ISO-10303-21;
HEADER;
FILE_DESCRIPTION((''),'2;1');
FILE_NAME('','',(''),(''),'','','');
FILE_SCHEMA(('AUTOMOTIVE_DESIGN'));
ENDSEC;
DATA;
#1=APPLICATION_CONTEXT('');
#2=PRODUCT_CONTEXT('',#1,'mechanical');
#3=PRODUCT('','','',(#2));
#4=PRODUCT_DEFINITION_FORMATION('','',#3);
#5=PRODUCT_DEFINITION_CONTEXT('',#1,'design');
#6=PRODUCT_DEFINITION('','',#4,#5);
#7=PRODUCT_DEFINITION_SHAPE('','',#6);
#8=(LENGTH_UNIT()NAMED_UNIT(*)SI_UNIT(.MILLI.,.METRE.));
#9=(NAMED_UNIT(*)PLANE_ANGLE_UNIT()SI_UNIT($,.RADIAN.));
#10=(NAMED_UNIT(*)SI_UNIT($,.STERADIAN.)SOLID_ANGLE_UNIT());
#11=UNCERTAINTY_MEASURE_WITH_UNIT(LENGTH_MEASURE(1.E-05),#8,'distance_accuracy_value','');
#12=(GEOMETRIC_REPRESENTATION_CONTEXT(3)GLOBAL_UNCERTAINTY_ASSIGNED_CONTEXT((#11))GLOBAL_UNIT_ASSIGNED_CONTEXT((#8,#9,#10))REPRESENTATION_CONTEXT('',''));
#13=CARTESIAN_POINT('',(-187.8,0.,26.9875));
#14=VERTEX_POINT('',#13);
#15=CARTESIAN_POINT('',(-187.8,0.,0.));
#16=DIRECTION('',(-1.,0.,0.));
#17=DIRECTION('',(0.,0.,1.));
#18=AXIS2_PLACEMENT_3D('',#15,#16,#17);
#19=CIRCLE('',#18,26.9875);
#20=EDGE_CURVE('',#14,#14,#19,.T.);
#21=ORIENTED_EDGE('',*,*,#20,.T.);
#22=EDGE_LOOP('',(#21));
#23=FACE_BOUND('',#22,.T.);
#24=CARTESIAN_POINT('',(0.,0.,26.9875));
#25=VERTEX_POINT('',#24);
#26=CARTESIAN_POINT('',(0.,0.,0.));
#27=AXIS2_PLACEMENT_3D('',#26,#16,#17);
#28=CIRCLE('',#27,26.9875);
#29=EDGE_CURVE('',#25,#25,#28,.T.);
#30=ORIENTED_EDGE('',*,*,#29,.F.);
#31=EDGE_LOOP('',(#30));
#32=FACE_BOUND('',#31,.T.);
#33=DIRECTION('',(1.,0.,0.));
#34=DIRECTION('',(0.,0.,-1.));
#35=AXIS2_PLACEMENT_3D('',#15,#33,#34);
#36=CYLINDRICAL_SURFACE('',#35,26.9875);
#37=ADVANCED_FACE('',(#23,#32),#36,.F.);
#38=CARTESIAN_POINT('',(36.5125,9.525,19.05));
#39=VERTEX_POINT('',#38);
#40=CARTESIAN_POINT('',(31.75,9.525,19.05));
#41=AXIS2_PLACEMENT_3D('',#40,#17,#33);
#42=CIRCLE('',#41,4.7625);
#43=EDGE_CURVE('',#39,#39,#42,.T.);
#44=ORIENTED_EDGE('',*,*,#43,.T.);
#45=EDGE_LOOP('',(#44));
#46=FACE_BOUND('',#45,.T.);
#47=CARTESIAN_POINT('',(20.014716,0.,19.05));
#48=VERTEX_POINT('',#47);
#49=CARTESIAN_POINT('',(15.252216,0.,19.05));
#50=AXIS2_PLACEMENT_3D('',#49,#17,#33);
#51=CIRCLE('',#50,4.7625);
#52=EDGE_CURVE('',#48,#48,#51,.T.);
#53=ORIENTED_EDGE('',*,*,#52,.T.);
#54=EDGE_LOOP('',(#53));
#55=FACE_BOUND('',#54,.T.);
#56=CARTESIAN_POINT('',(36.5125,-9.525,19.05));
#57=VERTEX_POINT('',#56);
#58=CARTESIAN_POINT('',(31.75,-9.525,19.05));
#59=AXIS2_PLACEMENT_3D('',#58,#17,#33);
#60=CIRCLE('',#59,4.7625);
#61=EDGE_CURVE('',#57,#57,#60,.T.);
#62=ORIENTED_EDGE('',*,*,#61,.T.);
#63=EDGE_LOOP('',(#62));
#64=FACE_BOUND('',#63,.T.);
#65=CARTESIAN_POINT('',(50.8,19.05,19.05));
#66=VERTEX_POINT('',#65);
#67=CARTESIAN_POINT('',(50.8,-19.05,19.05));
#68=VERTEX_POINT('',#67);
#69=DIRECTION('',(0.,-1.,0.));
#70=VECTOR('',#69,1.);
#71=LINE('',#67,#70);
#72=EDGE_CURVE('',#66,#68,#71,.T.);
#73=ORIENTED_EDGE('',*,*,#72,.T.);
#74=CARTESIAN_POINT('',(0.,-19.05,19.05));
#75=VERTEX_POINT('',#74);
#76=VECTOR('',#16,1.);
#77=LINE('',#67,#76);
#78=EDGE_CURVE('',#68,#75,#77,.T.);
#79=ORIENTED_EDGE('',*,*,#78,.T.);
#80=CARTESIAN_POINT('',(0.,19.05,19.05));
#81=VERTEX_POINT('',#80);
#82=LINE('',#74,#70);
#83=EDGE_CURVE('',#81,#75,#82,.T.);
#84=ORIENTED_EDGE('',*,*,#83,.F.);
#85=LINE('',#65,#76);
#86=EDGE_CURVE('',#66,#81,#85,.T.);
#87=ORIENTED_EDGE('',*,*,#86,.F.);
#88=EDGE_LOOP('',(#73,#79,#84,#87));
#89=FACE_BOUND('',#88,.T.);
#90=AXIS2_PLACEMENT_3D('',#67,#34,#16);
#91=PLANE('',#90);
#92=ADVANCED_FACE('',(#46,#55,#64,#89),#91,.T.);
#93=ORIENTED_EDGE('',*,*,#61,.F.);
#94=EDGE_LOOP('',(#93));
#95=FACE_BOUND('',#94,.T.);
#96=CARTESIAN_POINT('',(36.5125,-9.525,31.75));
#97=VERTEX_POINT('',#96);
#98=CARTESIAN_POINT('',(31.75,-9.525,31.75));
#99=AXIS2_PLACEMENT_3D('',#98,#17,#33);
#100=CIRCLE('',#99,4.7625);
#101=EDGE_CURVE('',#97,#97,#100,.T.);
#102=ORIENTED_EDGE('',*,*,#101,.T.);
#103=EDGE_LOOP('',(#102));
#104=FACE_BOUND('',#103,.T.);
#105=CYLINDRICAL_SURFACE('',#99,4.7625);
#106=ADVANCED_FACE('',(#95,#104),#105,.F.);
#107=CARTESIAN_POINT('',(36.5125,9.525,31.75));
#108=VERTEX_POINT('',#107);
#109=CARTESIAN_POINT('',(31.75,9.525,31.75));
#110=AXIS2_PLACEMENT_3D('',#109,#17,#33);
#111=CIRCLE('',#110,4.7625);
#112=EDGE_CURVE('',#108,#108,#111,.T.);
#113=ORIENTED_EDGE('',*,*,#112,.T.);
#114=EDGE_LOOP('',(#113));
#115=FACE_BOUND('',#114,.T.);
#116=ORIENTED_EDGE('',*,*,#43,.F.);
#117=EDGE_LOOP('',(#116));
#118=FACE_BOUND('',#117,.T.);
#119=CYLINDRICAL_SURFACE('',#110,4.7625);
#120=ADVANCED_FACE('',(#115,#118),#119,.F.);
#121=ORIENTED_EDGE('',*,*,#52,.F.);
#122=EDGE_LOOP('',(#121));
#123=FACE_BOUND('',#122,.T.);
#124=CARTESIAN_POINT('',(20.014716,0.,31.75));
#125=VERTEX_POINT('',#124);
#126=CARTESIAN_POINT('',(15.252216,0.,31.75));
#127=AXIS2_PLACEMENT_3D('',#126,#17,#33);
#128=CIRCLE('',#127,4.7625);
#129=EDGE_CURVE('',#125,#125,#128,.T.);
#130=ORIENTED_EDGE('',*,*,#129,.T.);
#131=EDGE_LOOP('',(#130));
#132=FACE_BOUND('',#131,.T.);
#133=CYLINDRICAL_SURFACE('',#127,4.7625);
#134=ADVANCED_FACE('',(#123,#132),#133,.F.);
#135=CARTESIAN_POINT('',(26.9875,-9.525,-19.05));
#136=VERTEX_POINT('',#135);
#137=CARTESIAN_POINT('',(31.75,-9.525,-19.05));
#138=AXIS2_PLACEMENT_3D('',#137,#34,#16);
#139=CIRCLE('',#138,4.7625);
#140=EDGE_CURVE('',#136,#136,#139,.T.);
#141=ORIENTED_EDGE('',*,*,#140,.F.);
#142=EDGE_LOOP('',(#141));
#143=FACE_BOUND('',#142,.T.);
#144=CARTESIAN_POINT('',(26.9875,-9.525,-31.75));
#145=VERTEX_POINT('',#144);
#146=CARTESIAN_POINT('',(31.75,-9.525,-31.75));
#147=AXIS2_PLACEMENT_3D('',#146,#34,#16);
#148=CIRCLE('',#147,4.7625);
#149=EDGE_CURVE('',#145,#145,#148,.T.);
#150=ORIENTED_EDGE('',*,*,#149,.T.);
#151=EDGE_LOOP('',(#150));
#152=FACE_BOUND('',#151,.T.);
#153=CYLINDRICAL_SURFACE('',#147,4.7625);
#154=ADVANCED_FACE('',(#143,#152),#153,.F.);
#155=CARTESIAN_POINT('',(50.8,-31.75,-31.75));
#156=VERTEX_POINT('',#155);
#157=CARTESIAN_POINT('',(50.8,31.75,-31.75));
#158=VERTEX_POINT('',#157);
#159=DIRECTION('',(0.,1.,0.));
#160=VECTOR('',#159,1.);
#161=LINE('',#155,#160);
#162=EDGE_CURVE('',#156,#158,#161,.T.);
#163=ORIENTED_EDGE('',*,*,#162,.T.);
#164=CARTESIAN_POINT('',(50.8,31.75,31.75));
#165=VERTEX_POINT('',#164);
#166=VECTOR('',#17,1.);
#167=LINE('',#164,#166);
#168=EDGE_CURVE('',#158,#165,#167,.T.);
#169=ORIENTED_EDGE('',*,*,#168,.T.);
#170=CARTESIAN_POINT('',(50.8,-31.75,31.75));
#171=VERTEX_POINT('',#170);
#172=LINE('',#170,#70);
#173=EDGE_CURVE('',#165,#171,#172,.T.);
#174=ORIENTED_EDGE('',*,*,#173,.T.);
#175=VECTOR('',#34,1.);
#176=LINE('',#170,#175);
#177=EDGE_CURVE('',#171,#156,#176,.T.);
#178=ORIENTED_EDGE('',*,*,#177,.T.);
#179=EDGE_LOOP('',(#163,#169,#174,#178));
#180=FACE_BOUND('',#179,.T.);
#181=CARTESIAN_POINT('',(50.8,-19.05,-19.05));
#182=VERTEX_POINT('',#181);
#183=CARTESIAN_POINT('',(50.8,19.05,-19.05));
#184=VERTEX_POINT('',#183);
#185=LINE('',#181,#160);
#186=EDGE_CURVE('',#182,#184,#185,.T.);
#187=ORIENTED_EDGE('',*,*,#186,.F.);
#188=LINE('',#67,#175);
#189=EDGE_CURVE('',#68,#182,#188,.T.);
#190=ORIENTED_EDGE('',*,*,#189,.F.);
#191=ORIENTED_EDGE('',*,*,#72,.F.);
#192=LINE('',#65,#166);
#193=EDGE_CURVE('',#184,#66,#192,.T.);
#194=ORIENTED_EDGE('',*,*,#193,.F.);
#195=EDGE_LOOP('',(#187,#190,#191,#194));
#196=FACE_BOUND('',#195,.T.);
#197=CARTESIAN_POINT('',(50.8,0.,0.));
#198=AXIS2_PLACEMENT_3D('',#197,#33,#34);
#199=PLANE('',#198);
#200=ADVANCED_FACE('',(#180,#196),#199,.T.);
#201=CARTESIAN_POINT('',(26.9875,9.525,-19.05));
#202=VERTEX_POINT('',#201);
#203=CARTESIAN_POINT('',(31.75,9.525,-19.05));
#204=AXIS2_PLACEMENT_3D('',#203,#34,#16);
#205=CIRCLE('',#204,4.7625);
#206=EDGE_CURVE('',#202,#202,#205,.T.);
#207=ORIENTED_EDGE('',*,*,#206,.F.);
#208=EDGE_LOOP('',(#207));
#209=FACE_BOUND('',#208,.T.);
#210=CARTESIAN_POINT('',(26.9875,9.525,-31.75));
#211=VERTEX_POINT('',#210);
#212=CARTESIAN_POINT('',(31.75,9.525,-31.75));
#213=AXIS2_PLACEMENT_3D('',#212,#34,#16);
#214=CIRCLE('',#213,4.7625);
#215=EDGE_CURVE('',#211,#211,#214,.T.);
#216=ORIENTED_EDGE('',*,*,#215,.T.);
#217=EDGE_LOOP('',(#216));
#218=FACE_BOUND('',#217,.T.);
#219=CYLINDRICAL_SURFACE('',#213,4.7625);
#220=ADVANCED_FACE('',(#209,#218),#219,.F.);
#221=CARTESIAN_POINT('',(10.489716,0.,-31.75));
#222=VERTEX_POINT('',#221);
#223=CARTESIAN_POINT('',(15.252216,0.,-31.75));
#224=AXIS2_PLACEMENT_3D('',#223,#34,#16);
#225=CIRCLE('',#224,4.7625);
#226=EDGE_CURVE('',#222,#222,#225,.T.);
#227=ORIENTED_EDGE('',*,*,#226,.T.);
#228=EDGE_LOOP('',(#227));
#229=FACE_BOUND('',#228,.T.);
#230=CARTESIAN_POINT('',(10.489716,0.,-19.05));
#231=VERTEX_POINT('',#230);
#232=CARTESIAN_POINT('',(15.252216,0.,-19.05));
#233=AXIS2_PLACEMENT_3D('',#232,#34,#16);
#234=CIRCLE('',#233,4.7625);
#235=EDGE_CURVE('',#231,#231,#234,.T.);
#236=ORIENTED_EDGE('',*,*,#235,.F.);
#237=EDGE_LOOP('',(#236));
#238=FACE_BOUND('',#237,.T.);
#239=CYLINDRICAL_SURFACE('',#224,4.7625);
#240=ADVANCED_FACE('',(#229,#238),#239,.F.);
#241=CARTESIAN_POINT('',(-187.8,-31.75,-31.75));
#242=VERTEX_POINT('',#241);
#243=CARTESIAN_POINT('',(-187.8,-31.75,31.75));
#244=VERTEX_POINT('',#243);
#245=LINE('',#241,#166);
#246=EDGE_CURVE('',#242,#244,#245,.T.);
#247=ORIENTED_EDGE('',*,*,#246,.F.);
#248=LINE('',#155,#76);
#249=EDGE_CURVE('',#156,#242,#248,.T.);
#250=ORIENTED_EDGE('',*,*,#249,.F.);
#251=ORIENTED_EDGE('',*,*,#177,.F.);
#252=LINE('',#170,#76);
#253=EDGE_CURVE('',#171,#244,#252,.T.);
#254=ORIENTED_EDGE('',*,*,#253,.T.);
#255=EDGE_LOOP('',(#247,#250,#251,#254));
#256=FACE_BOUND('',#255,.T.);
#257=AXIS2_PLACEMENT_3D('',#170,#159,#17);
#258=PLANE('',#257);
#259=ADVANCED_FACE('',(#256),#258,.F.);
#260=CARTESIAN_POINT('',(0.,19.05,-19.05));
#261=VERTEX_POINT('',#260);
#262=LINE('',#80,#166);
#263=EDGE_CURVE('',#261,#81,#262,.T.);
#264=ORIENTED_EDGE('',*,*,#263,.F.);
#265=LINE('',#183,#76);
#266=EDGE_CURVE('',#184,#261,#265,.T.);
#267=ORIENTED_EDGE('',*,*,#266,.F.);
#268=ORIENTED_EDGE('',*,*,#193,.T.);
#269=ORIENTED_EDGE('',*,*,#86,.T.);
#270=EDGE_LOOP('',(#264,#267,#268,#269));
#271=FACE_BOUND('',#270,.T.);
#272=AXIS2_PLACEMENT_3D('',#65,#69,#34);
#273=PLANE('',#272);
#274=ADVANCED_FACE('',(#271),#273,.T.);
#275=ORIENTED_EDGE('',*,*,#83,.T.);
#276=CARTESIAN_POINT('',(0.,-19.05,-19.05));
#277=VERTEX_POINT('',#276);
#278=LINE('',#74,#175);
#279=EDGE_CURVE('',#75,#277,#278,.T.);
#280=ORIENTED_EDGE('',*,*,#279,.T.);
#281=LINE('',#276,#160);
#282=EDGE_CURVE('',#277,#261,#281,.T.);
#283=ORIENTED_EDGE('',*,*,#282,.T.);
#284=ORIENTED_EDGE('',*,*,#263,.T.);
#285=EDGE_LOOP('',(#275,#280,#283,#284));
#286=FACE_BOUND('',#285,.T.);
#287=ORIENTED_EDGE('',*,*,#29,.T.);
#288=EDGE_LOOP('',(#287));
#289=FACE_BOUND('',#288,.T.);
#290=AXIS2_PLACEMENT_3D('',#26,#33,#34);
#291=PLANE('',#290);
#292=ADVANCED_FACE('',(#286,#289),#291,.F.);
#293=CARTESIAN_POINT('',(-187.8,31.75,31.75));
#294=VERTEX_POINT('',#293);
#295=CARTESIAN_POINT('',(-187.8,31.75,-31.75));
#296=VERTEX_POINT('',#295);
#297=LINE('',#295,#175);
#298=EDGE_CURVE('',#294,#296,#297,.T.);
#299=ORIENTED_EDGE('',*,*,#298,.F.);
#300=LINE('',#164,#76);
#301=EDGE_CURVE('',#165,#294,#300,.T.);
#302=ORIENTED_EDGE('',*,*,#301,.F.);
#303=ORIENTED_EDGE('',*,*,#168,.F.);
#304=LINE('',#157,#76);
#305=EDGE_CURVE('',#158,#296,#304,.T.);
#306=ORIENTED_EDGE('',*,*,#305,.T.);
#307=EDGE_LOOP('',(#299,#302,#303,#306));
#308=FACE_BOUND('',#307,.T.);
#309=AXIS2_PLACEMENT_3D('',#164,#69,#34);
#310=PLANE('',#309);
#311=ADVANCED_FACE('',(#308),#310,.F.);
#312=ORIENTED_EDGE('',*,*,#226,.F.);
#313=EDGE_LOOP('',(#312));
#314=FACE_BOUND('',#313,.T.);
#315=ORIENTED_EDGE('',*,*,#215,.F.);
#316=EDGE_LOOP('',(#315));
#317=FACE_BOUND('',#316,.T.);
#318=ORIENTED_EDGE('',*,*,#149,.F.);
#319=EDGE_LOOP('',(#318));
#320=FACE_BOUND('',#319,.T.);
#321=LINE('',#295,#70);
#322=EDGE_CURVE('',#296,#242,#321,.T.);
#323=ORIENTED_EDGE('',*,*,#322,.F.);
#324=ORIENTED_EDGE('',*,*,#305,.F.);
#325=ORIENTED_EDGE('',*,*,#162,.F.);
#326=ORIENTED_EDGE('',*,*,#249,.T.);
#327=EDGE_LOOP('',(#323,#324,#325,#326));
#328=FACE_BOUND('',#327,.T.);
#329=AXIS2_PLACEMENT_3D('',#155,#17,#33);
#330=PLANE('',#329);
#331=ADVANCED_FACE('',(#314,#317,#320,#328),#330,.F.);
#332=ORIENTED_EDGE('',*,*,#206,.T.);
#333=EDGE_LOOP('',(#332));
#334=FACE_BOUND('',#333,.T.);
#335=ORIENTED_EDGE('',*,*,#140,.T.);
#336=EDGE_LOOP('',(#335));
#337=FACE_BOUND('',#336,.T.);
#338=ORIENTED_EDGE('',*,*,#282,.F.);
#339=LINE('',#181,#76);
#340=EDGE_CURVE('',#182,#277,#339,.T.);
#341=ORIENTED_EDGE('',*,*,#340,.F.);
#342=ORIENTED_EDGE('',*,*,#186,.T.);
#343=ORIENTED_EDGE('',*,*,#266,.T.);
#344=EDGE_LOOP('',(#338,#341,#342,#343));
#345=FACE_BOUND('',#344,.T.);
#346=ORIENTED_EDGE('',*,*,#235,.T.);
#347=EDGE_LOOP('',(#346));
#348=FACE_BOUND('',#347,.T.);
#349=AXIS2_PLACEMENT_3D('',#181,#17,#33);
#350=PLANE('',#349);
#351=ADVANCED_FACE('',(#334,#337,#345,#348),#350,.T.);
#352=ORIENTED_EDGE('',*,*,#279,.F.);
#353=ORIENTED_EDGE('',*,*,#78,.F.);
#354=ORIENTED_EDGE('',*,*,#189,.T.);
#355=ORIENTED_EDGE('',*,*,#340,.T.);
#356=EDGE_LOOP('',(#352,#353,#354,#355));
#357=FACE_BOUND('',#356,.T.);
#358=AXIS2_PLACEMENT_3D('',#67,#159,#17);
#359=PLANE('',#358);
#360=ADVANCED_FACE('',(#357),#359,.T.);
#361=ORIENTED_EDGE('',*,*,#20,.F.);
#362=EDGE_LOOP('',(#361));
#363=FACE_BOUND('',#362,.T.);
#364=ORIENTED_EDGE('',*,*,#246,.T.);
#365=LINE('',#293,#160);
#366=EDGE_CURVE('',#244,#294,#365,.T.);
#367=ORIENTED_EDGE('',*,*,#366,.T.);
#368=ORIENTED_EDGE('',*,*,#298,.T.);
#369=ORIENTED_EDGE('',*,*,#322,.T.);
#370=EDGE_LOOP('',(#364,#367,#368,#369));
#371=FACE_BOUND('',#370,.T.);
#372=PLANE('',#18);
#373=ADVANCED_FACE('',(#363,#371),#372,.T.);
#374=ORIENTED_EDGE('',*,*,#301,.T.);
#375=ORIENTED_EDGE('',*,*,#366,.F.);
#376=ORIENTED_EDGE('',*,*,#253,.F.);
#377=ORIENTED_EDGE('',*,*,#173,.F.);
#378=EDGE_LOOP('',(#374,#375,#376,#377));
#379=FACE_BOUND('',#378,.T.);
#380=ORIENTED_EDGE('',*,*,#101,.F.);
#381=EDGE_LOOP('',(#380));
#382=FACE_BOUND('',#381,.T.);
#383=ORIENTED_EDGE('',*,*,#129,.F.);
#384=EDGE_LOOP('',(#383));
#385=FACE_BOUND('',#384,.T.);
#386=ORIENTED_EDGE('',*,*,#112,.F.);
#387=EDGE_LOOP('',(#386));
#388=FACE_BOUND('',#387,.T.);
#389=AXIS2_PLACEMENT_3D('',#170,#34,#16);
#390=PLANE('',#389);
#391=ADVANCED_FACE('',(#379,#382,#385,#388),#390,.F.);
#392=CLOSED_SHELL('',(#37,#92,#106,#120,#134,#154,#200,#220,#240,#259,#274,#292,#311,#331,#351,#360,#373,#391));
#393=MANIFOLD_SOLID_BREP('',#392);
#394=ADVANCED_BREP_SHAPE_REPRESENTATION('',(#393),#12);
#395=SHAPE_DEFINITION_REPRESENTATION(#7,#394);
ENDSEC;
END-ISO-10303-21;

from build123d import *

# Parameters (mm, degrees)
SKETCH1_W                       = 63.5
SKETCH1_H                       = 63.5
SKETCH1_W_2                     = 38.1
SKETCH1_H_2                     = 38.1
BOSS_EXTRUDE1_DEPTH             = 50.8
SKETCH5_W                       = 63.5
SKETCH5_H                       = 63.5
SKETCH5_R                       = 26.9875
BOSS_EXTRUDE2_DEPTH             = 187.8
F_97_0_375_DIAMETER_HOLE2_D     = 9.525
F_97_0_375_DIAMETER_HOLE2_DEPTH = 12.7
F_97_0_375_DIAMETER_HOLE3_D     = 9.525


with BuildPart() as part:
    # Sketch1 → Boss-Extrude1 (new body)
    with BuildSketch(Plane.YZ):
        Rectangle(SKETCH1_W, SKETCH1_H)
        Rectangle(SKETCH1_W_2, SKETCH1_H_2, mode=Mode.SUBTRACT)
    extrude(amount=BOSS_EXTRUDE1_DEPTH)

    # Sketch5 → Boss-Extrude2 (add)
    with BuildSketch(Plane.ZY):
        Rectangle(SKETCH5_W, SKETCH5_H)
        Circle(SKETCH5_R, mode=Mode.SUBTRACT)
    extrude(amount=BOSS_EXTRUDE2_DEPTH)

    # #97 (0.375) Diameter Hole2
    with Locations(Plane(origin=(0, 0, -31.75), x_dir=(-1, 0, 0), z_dir=(0, 0, -1))):
        with Locations((-15.252216058, 0), (-31.75, 9.525), (-31.75, -9.525)):
            Hole(F_97_0_375_DIAMETER_HOLE2_D / 2, depth=F_97_0_375_DIAMETER_HOLE2_DEPTH)

    # #97 (0.375) Diameter Hole3 (through all)
    with Locations(Plane.XY.offset(31.75)):
        with Locations((31.75, -9.525), (31.75, 9.525), (15.252216058, 0)):
            Hole(F_97_0_375_DIAMETER_HOLE3_D / 2)


solid = part.part
